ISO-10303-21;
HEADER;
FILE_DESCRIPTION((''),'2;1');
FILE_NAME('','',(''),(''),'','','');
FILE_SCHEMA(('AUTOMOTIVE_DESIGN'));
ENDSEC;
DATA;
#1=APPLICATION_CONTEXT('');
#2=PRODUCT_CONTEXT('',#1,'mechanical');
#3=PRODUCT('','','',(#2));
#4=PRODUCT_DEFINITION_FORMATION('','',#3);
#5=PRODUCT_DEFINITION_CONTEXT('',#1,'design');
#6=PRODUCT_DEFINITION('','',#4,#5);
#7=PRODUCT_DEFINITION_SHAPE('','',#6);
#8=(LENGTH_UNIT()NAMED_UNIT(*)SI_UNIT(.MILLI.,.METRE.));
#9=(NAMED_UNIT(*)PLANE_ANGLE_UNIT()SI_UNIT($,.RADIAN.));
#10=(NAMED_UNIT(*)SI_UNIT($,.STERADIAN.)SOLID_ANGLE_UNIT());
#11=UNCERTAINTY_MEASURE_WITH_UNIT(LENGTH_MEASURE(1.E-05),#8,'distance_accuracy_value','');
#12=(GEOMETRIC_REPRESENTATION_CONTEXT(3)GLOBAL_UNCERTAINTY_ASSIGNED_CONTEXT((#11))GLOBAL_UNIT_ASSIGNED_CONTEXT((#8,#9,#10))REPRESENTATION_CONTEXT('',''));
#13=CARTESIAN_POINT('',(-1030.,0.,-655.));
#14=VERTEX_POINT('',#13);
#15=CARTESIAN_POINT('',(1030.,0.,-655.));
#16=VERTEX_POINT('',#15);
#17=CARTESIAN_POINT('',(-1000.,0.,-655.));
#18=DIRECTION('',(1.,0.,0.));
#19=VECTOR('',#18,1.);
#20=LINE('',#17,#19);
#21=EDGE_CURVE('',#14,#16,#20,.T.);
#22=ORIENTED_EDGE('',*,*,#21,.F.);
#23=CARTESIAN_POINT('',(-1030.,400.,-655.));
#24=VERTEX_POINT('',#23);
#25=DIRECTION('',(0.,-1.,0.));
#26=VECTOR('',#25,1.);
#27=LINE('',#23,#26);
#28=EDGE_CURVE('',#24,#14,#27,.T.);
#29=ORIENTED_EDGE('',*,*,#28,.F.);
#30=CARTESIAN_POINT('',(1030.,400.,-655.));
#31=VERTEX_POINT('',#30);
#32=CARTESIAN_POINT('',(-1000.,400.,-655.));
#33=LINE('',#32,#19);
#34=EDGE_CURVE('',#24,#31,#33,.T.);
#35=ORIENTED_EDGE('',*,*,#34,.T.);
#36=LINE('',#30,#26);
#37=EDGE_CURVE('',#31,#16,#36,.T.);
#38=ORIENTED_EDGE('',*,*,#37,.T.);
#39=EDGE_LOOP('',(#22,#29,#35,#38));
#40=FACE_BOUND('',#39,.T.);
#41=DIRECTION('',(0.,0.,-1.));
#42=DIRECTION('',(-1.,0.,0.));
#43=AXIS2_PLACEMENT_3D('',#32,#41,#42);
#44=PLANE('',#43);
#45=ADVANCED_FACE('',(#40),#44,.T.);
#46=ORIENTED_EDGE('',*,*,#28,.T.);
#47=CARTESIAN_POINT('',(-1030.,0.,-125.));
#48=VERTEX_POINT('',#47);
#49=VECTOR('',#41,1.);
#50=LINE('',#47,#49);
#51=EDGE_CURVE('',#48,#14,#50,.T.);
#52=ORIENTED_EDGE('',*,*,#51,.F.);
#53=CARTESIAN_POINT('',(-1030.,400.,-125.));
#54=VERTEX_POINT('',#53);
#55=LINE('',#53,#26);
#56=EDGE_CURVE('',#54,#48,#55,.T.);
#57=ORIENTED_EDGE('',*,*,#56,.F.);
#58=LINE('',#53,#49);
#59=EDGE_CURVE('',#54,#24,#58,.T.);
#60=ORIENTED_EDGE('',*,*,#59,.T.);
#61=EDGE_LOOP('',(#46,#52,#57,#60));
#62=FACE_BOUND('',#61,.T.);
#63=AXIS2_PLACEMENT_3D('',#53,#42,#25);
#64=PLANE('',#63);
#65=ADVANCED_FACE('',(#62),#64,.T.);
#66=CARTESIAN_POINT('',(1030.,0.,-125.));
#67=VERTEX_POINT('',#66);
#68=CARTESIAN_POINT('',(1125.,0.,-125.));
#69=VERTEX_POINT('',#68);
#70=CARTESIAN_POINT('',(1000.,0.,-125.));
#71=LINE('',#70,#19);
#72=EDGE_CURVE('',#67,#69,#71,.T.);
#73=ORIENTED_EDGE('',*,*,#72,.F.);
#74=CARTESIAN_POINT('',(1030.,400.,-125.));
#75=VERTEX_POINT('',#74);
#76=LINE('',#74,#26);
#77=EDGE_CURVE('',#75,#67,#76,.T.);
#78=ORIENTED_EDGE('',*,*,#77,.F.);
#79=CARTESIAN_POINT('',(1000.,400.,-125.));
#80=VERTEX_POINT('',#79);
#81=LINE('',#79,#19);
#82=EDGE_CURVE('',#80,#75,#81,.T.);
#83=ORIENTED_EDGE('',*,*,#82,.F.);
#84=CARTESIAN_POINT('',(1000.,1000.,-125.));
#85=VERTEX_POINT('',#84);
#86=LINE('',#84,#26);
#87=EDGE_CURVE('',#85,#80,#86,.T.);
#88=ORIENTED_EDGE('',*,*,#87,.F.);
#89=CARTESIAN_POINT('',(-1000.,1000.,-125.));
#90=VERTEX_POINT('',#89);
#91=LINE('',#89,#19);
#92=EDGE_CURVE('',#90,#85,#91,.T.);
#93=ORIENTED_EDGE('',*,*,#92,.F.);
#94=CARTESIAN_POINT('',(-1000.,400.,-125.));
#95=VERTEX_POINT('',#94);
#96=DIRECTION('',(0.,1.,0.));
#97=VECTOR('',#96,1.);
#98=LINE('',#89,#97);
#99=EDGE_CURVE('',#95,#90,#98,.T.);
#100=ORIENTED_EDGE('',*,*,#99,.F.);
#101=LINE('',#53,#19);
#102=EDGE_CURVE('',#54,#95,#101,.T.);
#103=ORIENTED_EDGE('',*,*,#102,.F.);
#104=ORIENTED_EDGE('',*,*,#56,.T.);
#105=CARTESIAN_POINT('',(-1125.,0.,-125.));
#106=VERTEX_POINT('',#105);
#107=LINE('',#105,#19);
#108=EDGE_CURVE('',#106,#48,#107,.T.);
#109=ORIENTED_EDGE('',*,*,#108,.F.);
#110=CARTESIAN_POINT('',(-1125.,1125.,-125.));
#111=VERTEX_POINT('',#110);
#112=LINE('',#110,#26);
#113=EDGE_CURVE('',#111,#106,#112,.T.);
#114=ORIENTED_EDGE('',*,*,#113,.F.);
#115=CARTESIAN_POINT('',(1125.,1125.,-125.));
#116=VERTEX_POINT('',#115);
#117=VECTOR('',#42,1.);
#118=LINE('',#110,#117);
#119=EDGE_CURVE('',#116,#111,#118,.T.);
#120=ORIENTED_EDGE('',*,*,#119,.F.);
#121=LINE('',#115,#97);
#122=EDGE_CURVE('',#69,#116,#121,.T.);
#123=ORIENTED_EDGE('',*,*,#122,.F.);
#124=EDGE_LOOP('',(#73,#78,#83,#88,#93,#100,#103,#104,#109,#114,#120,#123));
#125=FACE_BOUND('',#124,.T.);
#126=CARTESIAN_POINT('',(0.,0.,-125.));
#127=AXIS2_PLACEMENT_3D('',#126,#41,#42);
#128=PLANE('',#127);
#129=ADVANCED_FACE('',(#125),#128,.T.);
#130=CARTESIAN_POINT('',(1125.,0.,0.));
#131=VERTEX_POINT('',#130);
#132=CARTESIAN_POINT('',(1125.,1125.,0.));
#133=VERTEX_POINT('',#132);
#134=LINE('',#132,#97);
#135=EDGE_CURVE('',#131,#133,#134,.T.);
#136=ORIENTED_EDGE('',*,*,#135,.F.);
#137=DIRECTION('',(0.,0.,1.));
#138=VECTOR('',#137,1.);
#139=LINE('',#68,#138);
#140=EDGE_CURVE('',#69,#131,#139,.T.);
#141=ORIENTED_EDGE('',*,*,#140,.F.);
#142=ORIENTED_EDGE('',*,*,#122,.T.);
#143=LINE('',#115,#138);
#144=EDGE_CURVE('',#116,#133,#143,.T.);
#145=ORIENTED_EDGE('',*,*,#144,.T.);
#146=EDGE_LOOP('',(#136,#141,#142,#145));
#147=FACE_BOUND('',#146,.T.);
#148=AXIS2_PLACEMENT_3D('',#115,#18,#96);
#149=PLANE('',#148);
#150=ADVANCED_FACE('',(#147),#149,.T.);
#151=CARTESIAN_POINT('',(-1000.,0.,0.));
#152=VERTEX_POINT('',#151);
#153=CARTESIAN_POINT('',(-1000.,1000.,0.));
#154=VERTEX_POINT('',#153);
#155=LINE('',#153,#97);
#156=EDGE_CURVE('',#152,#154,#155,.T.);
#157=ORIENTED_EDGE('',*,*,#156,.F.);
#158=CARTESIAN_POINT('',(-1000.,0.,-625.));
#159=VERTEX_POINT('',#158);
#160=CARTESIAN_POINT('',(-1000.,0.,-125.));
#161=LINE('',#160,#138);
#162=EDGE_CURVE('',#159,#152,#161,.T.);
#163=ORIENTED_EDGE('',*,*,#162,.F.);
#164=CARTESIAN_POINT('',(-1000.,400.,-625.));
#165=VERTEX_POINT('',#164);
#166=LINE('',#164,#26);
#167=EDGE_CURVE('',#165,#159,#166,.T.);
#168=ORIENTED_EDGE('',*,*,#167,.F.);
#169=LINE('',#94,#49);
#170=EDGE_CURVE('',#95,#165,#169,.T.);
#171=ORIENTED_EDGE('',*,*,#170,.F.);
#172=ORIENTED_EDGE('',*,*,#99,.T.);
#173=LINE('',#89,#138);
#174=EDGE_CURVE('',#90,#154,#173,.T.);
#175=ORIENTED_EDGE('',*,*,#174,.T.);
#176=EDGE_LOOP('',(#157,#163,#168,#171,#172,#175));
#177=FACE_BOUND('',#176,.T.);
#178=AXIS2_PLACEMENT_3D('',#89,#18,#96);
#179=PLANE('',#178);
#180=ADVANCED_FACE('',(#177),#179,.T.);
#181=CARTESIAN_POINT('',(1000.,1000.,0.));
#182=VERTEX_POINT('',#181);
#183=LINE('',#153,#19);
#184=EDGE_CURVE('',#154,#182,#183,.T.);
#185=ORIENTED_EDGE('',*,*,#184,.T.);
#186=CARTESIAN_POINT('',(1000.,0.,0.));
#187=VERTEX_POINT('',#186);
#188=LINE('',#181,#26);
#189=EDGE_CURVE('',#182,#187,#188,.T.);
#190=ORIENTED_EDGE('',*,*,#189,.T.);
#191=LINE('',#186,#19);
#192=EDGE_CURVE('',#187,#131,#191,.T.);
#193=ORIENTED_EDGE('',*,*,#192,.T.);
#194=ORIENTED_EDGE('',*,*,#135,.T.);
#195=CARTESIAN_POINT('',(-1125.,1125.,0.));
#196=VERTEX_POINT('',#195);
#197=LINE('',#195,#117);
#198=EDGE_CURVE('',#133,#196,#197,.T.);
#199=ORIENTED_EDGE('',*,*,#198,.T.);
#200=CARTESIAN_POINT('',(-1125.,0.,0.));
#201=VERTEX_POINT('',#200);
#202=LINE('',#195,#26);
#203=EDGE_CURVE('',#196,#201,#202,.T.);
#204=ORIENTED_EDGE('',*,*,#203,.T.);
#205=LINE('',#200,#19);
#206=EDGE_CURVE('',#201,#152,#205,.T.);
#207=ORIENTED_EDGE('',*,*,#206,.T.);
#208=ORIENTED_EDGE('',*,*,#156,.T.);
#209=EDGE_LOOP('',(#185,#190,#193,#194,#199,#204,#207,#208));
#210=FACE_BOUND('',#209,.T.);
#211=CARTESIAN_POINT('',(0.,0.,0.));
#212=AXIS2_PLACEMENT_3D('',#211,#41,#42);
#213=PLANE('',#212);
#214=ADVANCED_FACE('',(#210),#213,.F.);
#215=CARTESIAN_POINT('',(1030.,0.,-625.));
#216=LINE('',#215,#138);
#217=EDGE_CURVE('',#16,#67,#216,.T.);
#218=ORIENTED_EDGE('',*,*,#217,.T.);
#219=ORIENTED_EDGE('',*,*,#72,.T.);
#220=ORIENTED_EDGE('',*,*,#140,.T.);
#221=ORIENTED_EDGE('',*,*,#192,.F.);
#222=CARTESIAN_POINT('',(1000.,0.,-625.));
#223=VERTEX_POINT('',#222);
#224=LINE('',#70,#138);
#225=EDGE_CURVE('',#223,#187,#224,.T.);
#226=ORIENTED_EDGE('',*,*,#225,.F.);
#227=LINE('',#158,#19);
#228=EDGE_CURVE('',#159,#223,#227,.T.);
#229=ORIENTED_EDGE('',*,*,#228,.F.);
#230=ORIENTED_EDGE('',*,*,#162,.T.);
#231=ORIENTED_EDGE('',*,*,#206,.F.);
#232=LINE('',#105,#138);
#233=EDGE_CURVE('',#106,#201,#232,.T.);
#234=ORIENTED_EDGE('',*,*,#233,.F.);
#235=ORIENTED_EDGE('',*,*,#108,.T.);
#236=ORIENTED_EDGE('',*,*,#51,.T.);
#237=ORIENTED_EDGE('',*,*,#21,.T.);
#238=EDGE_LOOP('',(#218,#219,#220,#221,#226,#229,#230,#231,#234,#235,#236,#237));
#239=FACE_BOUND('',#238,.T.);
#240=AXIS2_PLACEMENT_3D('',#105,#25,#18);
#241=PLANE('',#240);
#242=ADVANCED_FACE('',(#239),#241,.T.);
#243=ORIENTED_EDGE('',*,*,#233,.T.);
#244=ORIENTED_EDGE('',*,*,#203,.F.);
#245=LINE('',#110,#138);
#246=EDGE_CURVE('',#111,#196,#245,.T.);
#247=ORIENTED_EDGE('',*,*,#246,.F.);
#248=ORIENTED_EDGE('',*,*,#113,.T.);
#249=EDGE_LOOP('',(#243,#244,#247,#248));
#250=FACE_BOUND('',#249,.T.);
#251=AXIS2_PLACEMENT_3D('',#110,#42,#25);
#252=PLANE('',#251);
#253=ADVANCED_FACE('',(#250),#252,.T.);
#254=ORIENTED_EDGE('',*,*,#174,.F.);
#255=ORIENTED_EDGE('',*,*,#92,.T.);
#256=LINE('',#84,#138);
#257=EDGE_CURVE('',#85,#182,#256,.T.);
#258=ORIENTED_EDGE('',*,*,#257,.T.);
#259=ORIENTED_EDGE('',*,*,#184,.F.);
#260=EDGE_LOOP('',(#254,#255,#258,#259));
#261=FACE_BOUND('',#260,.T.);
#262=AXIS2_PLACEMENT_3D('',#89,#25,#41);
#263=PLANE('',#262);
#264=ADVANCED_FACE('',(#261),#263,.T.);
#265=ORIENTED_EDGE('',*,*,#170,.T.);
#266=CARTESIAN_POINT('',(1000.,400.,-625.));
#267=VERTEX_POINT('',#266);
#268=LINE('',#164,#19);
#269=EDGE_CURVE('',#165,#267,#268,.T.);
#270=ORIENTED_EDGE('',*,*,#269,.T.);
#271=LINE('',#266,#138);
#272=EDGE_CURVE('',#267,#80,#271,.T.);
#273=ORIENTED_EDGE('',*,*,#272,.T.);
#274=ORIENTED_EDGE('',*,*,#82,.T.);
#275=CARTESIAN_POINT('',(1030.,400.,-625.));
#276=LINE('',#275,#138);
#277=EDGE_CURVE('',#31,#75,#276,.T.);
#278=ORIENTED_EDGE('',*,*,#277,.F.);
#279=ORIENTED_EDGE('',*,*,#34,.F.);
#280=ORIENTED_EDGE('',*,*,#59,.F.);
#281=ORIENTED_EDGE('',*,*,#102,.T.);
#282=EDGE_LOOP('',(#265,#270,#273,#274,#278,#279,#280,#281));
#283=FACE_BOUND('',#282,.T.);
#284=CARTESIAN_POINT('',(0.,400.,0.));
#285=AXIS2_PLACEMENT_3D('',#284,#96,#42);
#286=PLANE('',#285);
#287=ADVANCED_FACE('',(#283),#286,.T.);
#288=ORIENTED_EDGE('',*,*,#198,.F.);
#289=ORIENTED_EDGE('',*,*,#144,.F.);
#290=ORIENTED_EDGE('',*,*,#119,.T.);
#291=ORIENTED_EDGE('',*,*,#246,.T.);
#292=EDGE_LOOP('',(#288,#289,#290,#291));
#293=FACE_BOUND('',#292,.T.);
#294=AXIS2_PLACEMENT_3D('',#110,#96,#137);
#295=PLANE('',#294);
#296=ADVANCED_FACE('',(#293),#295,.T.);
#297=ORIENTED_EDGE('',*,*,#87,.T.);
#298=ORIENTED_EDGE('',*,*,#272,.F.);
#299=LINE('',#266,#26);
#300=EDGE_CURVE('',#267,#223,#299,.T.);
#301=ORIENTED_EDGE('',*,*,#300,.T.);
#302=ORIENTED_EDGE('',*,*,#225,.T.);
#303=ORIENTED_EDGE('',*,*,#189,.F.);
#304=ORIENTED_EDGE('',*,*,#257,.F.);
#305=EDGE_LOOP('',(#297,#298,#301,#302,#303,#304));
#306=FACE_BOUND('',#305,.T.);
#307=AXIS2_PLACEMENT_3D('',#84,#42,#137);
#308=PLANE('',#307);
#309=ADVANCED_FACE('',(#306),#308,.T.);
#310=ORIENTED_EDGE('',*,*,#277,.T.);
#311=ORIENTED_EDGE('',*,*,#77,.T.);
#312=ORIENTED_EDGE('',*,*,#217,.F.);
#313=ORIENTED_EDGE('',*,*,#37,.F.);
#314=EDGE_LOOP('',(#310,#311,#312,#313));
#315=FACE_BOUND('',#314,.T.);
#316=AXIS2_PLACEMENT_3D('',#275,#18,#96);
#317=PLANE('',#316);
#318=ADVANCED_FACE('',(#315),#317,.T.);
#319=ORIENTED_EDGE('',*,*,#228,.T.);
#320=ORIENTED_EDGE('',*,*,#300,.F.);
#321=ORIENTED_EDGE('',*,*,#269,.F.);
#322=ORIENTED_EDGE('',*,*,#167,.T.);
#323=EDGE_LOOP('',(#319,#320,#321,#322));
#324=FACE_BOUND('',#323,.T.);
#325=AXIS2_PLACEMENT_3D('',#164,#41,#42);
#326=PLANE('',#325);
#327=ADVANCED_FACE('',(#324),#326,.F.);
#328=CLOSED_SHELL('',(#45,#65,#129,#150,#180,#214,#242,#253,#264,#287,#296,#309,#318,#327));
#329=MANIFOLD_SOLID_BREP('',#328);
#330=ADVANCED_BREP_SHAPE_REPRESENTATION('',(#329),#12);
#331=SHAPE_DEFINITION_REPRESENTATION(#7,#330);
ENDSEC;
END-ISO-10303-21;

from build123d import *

# Parameters (mm, degrees)
EXTRUDE_1_DEPTH   = 125
EXTRUDE_1_2_DEPTH = 400


with BuildPart() as part:
    # 草图1 → Extrude 1 (new body)
    with BuildSketch(Plane.XY):
        Polygon((-1125, 1125), (-1125, 0), (-1000, 0), (-1000, 1000), (1000, 1000), (1000, 0), (1125, 0), (1125, 1125), align=None)
    extrude(amount=-EXTRUDE_1_DEPTH)

    # 草图2 → Extrude 1 2 (add)
    with BuildSketch(Plane.XZ):
        Polygon((-1000, -125), (-1000, -625), (1000, -625), (1000, -125), (1030, -125), (1030, -655), (-1030, -655), (-1030, -125), align=None)
    extrude(amount=-EXTRUDE_1_2_DEPTH)


solid = part.part
